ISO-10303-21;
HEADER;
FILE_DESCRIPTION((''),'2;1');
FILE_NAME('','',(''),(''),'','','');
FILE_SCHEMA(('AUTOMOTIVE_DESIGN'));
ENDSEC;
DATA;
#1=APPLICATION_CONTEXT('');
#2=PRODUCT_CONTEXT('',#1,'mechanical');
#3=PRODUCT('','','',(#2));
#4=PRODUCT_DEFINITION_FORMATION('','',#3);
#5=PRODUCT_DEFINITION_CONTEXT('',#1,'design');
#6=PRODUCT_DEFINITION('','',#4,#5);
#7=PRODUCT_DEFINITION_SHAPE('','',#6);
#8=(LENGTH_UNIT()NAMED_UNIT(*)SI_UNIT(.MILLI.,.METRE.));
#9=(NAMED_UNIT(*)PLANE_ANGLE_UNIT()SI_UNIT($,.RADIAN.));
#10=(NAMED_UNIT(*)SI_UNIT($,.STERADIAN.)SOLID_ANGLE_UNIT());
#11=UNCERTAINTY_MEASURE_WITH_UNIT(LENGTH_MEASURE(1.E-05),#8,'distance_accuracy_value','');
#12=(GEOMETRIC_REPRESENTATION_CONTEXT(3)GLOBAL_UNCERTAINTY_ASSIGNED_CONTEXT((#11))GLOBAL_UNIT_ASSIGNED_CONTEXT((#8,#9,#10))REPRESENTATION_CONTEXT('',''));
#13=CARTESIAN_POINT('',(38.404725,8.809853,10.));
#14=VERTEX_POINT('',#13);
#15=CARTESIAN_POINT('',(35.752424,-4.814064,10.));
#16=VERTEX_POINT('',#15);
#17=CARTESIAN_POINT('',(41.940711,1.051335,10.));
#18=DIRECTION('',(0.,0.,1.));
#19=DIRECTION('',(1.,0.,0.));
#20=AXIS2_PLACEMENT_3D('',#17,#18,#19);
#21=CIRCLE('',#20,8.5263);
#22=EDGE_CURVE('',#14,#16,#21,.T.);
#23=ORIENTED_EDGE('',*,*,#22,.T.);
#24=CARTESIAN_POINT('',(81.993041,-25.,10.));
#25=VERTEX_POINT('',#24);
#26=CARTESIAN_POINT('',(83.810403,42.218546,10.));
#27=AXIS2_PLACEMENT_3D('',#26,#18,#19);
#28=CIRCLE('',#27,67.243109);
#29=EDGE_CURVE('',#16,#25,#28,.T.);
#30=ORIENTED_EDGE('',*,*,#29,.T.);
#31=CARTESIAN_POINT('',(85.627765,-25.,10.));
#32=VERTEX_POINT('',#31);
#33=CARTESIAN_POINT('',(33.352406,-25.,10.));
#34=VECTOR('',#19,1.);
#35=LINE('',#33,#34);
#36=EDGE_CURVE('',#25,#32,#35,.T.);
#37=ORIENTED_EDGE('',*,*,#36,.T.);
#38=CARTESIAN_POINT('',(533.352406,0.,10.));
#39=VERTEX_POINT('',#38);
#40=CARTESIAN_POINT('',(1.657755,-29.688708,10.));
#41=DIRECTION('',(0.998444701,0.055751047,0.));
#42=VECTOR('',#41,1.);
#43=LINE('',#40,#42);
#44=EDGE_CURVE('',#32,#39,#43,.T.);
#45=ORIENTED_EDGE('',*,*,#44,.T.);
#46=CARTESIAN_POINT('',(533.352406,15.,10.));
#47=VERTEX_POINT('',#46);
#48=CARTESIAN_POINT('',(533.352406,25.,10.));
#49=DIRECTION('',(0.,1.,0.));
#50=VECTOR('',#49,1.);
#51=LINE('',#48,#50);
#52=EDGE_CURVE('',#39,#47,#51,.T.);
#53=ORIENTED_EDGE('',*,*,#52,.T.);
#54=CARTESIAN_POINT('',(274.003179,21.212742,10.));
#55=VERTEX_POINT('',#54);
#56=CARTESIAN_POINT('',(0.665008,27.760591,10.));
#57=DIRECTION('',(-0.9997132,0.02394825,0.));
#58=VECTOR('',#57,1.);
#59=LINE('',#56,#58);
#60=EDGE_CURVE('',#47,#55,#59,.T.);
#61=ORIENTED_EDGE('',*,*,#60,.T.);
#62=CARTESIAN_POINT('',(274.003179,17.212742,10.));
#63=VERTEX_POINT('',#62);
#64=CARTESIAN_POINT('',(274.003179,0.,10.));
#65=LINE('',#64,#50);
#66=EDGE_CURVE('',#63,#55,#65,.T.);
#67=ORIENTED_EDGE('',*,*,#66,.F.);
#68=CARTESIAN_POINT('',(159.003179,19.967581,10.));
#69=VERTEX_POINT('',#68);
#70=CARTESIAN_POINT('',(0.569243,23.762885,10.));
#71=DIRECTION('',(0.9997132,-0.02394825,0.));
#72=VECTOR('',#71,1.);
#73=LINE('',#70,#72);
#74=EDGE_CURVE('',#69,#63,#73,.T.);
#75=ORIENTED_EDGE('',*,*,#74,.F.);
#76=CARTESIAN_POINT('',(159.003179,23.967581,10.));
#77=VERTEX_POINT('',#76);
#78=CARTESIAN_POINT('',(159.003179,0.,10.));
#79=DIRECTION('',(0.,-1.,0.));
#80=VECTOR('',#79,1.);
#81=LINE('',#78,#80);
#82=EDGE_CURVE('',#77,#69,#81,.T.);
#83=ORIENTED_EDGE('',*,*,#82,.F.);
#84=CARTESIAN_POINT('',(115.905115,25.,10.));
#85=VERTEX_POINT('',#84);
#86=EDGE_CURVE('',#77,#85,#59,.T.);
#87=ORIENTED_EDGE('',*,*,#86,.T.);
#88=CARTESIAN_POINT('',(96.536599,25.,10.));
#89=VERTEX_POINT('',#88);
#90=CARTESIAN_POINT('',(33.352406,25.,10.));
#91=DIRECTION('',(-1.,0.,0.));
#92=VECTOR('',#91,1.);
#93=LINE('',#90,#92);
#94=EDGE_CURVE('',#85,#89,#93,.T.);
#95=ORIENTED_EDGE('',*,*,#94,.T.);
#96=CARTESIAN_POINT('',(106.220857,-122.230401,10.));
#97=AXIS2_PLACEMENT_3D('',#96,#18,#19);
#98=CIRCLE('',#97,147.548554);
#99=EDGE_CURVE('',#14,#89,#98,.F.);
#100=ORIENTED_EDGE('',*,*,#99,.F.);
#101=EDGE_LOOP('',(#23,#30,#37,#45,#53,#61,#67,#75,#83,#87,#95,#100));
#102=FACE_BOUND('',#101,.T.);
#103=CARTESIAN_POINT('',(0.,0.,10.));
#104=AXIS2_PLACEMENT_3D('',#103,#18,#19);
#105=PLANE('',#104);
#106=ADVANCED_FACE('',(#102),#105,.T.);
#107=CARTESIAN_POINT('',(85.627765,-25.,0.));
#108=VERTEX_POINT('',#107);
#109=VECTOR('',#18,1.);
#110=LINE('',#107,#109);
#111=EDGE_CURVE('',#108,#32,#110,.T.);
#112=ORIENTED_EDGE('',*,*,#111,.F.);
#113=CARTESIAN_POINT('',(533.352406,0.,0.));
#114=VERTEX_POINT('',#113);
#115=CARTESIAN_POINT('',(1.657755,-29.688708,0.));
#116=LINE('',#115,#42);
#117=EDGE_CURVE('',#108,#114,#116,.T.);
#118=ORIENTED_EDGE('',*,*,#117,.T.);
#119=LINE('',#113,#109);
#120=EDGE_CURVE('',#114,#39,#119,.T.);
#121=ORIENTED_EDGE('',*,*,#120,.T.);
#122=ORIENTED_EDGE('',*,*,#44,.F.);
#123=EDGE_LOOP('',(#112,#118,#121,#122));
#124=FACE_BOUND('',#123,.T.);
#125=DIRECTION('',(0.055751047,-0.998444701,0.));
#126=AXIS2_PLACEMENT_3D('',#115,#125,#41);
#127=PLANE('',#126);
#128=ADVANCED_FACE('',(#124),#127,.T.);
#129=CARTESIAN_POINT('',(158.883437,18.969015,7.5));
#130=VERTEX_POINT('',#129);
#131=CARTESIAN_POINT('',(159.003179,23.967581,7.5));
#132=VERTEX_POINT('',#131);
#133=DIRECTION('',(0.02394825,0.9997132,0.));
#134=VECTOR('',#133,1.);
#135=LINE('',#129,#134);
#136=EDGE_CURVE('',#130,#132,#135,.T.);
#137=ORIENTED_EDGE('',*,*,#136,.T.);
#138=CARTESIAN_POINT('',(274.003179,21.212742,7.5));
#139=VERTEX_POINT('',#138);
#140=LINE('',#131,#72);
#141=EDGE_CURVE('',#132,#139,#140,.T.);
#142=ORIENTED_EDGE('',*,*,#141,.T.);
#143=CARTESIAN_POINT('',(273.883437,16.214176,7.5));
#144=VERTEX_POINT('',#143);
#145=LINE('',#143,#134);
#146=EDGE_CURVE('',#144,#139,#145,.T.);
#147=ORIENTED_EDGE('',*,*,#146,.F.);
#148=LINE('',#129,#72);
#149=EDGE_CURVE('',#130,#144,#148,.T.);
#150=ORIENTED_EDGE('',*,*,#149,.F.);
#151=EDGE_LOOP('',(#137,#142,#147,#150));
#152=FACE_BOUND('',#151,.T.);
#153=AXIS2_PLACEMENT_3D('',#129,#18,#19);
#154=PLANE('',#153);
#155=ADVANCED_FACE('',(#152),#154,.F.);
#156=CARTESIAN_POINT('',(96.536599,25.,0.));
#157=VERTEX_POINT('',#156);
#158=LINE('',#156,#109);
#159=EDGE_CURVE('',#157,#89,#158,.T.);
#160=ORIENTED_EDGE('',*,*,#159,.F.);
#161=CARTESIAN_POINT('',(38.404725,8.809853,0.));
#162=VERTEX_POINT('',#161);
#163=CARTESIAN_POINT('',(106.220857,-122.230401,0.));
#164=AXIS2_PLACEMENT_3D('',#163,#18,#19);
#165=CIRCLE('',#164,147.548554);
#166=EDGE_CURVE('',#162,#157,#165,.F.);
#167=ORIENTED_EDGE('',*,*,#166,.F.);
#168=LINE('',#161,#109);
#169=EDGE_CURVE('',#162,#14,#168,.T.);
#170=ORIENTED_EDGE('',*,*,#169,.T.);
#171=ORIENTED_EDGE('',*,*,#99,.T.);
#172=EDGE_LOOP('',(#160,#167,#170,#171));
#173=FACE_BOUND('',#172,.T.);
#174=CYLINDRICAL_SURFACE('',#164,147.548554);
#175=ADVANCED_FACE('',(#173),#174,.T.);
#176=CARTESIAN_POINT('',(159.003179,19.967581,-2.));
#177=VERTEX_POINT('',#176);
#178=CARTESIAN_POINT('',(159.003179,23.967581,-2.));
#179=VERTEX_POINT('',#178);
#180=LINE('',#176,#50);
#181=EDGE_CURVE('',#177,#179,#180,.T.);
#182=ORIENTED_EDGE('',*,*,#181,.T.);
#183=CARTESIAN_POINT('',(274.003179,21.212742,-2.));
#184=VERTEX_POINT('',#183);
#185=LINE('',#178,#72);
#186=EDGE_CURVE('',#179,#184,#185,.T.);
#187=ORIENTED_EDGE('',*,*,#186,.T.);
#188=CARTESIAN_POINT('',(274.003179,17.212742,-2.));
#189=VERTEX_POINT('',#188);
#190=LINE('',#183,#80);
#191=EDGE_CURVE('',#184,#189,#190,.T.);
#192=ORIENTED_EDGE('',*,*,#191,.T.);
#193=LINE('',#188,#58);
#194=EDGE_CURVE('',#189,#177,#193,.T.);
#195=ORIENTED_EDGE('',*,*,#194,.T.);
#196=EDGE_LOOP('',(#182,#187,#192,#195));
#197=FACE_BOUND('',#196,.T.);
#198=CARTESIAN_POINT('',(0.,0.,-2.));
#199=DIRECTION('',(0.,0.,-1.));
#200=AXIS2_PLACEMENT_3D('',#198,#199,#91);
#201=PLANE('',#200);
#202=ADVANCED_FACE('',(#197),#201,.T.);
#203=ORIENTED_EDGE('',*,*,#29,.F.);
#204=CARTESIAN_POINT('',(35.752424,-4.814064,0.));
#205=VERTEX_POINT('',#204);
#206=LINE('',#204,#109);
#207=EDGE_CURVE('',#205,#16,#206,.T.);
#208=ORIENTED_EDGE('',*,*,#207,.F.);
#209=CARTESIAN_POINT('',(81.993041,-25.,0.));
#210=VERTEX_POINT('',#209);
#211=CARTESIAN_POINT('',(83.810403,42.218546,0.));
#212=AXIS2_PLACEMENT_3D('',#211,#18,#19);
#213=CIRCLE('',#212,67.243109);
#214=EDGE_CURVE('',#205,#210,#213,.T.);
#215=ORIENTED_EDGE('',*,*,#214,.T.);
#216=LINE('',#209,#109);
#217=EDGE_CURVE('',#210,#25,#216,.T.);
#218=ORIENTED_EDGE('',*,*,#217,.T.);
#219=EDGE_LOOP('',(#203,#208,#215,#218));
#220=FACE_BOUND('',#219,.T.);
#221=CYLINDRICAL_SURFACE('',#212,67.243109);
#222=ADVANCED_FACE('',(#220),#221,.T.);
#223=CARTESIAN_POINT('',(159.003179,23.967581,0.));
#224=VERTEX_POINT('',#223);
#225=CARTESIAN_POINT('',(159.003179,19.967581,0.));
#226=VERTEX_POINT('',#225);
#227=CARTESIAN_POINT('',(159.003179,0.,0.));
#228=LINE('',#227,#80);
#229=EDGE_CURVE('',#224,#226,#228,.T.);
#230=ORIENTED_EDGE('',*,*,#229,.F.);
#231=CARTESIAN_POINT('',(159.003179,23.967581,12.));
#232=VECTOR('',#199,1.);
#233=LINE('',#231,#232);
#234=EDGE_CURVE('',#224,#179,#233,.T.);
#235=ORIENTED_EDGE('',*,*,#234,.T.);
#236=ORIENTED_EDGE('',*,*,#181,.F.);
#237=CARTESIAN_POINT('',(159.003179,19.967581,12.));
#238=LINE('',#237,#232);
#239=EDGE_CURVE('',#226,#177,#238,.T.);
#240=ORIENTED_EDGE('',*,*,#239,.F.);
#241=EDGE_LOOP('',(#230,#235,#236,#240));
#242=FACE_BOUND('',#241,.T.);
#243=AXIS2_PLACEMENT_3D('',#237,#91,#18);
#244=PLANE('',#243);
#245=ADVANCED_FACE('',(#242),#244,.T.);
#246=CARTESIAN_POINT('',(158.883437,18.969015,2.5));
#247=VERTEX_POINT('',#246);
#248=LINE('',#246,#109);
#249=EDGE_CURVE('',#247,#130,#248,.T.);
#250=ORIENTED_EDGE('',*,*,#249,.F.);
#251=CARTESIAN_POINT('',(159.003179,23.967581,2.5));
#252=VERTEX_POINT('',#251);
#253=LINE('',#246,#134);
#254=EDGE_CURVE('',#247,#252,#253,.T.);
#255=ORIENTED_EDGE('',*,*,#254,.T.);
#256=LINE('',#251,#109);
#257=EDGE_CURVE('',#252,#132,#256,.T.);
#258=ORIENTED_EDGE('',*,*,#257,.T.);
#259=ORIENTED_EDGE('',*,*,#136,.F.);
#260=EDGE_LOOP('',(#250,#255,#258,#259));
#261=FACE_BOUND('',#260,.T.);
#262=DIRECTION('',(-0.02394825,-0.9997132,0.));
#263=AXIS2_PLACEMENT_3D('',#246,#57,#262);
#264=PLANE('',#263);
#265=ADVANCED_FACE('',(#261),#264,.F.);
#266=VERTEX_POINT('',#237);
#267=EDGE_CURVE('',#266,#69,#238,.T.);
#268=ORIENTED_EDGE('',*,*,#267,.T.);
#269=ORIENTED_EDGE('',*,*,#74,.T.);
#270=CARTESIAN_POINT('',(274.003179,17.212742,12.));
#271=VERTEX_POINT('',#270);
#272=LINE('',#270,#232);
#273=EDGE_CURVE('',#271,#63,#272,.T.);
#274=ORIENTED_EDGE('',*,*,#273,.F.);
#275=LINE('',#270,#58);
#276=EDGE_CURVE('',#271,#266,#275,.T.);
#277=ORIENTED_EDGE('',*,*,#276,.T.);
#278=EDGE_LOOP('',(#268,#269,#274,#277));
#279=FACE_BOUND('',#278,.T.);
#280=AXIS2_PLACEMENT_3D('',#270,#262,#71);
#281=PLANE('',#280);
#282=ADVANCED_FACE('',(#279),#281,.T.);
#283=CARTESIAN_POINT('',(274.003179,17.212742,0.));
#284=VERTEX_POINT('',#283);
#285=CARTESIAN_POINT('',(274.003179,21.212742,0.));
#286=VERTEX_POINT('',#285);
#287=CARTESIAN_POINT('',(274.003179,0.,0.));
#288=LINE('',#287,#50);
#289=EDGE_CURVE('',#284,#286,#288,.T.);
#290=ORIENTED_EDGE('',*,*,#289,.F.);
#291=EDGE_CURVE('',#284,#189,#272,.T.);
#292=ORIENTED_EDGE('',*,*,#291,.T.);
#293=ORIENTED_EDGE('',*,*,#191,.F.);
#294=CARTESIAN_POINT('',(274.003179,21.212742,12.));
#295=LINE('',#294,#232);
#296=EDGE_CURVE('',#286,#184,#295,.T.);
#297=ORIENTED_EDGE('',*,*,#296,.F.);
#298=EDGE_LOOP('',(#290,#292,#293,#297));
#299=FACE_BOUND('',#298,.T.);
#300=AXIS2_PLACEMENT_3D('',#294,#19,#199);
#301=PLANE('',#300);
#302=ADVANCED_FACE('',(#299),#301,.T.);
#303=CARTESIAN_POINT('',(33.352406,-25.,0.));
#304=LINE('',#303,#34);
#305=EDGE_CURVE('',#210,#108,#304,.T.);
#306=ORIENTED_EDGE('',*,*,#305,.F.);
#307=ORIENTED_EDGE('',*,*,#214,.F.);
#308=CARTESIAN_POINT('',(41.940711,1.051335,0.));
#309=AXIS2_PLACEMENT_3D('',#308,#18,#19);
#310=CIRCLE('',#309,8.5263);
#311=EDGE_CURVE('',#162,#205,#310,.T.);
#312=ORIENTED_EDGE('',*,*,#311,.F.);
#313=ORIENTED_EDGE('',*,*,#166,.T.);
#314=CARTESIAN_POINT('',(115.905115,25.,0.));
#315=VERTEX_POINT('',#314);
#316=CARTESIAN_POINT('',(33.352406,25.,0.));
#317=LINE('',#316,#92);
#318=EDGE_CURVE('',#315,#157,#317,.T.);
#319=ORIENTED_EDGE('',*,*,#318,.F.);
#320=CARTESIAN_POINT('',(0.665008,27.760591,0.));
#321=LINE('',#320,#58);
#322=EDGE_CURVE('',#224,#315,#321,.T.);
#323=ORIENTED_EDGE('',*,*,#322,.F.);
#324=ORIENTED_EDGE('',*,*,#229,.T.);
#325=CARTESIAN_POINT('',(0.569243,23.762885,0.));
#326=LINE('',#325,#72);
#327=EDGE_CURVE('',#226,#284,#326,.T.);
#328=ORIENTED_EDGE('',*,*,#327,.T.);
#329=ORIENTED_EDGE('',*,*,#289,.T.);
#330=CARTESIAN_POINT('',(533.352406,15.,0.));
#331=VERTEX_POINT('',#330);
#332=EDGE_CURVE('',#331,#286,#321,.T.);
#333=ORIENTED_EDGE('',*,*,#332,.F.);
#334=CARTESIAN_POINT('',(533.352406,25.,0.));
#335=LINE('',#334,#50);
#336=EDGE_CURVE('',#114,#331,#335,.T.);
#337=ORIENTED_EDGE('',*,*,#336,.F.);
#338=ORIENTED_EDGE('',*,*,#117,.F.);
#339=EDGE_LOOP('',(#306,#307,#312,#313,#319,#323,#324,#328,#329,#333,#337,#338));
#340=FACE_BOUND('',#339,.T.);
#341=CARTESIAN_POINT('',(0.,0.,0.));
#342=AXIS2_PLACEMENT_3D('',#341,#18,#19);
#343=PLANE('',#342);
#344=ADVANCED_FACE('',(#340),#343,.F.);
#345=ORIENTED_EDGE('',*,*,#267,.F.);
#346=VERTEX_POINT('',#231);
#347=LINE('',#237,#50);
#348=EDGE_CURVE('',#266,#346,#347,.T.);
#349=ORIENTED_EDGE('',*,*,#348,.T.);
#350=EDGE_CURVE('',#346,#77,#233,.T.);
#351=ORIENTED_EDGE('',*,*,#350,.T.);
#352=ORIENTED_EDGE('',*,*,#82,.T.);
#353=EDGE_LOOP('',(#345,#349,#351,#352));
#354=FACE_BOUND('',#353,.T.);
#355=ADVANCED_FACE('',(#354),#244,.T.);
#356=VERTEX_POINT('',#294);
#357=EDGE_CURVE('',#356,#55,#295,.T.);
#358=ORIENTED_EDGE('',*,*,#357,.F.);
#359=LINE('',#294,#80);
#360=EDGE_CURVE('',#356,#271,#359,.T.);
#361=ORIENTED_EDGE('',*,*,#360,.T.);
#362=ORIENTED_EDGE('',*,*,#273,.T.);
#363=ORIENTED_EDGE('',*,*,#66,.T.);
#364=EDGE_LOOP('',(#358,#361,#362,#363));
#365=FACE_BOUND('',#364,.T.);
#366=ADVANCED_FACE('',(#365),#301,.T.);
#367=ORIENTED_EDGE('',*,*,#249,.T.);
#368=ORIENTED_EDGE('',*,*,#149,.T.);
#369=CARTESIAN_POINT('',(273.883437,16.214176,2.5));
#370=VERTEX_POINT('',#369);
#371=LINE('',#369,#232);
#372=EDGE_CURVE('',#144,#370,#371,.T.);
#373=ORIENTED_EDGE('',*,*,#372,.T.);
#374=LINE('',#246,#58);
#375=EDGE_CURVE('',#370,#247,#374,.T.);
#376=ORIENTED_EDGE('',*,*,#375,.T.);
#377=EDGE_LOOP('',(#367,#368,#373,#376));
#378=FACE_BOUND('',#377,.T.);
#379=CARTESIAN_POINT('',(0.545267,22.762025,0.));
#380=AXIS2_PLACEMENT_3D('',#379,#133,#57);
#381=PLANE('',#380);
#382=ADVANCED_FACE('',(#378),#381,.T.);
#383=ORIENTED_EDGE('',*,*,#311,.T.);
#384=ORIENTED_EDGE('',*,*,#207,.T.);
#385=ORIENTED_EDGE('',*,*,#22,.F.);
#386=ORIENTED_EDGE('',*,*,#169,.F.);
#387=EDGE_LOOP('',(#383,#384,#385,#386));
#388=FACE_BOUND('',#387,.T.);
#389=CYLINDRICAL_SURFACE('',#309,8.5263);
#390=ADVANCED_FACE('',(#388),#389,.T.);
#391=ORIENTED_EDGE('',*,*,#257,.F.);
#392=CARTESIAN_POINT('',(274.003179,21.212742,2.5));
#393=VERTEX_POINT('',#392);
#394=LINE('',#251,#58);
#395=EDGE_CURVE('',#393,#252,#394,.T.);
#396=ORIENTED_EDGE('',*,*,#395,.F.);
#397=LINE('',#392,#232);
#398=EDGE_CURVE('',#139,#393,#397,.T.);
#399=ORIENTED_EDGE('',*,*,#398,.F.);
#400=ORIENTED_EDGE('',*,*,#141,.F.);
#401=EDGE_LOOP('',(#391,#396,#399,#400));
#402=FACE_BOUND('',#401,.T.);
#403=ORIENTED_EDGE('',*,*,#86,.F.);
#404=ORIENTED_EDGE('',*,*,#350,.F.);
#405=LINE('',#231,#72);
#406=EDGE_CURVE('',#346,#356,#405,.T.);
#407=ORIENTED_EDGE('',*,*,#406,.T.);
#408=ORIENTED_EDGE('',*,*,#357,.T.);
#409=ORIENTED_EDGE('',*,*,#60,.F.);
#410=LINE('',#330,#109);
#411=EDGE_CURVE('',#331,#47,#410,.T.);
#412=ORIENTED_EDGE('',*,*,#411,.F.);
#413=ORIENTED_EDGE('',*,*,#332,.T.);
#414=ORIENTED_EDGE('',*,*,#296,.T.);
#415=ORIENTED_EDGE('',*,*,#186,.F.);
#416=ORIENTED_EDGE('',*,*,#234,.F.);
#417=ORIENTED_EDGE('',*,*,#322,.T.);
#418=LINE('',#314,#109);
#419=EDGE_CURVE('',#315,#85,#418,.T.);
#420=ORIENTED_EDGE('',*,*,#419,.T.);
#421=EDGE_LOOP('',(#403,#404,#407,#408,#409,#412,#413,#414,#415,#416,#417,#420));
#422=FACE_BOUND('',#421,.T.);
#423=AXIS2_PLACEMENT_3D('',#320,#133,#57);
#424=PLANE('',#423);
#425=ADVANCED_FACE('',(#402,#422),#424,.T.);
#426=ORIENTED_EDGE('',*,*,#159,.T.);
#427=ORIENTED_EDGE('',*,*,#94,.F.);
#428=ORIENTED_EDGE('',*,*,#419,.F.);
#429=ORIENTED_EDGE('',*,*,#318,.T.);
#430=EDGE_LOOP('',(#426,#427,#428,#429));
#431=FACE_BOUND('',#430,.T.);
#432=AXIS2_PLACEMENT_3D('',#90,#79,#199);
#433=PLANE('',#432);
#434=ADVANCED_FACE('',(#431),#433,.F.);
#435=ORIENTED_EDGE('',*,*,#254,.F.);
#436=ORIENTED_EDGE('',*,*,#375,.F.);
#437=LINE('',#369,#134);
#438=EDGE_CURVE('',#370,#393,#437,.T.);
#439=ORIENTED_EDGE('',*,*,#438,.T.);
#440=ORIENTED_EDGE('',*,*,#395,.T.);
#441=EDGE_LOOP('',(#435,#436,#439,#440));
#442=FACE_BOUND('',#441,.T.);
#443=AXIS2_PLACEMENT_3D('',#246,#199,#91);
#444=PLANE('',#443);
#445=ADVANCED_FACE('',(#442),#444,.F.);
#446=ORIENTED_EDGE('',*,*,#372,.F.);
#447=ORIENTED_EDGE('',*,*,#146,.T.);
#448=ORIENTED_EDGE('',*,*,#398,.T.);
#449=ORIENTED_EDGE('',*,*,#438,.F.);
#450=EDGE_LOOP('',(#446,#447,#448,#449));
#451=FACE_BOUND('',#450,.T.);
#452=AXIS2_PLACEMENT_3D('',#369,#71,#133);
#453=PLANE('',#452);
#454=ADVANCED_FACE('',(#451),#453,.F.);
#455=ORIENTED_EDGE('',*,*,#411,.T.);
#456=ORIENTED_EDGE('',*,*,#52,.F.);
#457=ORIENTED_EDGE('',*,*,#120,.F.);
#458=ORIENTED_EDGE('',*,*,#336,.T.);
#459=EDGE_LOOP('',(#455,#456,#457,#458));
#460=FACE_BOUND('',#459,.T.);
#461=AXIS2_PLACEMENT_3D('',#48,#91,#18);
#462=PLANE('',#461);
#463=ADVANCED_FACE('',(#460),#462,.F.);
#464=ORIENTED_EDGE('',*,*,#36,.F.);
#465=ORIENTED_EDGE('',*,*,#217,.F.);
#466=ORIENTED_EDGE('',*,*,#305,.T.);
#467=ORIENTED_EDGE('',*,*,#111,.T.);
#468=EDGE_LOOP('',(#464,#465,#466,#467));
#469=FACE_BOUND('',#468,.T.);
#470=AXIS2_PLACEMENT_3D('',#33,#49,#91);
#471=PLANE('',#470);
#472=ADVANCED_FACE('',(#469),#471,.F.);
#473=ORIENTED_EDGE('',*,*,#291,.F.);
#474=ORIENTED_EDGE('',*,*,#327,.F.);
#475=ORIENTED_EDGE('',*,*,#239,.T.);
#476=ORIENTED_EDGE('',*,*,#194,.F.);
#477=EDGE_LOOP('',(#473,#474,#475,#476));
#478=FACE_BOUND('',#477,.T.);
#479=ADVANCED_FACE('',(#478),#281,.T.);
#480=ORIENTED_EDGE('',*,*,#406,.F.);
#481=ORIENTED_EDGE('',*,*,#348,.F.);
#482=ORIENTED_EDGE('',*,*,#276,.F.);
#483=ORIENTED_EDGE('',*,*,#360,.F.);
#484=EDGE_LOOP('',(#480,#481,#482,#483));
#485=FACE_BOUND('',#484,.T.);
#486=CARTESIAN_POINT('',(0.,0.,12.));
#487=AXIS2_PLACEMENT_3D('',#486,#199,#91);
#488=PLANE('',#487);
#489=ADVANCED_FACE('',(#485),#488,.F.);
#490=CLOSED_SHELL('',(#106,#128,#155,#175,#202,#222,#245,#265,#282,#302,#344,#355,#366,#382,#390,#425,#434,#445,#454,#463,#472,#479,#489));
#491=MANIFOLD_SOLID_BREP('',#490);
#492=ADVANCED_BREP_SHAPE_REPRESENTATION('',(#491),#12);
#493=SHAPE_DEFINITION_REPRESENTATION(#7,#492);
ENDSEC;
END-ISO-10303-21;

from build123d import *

# Parameters (mm, degrees)
SKETCH1_W                = 500
SKETCH1_H                = 50
BOSS_EXTRUDE1_DEPTH      = 10
CUT_EXTRUDE1_DEPTH       = 11
BOSS_EXTRUDE3_DEPTH      = 2
BOSS_EXTRUDE3_DEPTH_BACK = 12
SKETCH4_W                = 115.032991515
SKETCH4_H                = 5
CUT_EXTRUDE2_DEPTH       = 5


with BuildPart() as part:
    # Sketch1 → Boss-Extrude1 (new body)
    with BuildSketch(Plane.XY):
        with Locations((283.352405613, 0)):
            Rectangle(SKETCH1_W, SKETCH1_H)
    extrude(amount=BOSS_EXTRUDE1_DEPTH)

    # Sketch2 → Cut-Extrude1 (cut, through all)
    with BuildSketch(Plane.XY.offset(10)):
        Polygon((533.352405613, 0), (85.627765445, -25), (533.352405613, -25), align=None)
        with BuildLine():
            Line((33.352405613, -25), (81.993040664, -25))
            ThreePointArc((81.993040664, -25), (56.907700084, -19.408398641), (35.752423976, -4.814063764))
            ThreePointArc((35.752423976, -4.814063764), (33.571532765, 2.680644565), (38.404725068, 8.809852636))
            ThreePointArc((38.404725068, 8.809852636), (66.634144242, 19.90850289), (96.536599016, 25))
            Line((96.536599016, 25), (33.352405613, 25))
            Line((33.352405613, 25), (33.352405613, -25))
        make_face()
        Polygon((115.905115224, 25), (533.352405613, 15), (533.352405613, 25), align=None)
    extrude(amount=-CUT_EXTRUDE1_DEPTH, mode=Mode.SUBTRACT)

    # Sketch3 → Boss-Extrude3 (add, two sides)
    with BuildSketch(Plane(origin=(0, 0, 0), x_dir=(-1, 0, 0), z_dir=(0, 0, -1))) as boss_extrude3_sk:
        Polygon((-159.0031787, 23.967580711), (-274.0031787, 21.212741893), (-274.0031787, 17.212741893), (-159.0031787, 19.967580711), align=None)
    extrude(amount=BOSS_EXTRUDE3_DEPTH)
    extrude(boss_extrude3_sk.sketch, amount=-BOSS_EXTRUDE3_DEPTH_BACK)

    # Sketch4 → Cut-Extrude2 (cut)
    with BuildSketch(Plane(origin=(0.665008284, 27.760590609, 0), x_dir=(0.9997132, -0.02394825, 0), z_dir=(0.02394825, 0.9997132, 0))):
        with Locations((215.900090662, -5)):
            Rectangle(SKETCH4_W, SKETCH4_H)
    extrude(amount=-CUT_EXTRUDE2_DEPTH, mode=Mode.SUBTRACT)


solid = part.part
